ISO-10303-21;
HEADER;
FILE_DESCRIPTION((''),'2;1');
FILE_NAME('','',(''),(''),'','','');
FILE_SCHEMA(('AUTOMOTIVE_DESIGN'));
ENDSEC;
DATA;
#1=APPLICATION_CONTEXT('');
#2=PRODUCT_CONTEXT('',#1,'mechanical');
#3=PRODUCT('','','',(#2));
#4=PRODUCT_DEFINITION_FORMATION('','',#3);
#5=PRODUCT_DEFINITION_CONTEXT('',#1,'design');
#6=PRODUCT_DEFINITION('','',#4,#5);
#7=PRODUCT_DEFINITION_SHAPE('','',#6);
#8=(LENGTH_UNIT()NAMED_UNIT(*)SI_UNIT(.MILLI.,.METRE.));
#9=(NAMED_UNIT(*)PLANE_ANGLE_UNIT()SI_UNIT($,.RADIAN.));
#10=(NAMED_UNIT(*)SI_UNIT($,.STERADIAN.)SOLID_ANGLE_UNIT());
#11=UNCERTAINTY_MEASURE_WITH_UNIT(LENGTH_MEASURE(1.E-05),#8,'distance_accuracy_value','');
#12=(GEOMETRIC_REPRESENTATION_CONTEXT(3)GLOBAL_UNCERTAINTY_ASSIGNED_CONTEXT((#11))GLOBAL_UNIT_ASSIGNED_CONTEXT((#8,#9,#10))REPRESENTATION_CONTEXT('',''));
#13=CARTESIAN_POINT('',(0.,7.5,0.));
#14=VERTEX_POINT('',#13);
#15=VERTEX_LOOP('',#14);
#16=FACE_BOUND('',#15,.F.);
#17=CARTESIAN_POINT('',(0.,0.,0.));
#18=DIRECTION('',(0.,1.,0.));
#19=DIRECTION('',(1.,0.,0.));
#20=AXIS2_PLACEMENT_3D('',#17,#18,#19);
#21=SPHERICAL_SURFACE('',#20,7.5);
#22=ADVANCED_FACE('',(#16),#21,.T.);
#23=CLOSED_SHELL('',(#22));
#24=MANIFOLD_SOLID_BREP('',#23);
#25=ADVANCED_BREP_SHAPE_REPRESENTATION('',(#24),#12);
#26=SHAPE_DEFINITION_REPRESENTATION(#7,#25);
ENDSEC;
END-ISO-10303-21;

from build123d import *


with BuildPart() as part:
    # Sketch1 → Revolve1 (revolve)
    with BuildSketch(Plane.XY):
        with BuildLine():
            Line((0, 7.5), (0, -7.5))
            ThreePointArc((0, -7.5), (7.5, 0), (0, 7.5))
        make_face()
    revolve(axis=Axis((0, 10.830333015, 0), (0, -1, 0)))


solid = part.part
